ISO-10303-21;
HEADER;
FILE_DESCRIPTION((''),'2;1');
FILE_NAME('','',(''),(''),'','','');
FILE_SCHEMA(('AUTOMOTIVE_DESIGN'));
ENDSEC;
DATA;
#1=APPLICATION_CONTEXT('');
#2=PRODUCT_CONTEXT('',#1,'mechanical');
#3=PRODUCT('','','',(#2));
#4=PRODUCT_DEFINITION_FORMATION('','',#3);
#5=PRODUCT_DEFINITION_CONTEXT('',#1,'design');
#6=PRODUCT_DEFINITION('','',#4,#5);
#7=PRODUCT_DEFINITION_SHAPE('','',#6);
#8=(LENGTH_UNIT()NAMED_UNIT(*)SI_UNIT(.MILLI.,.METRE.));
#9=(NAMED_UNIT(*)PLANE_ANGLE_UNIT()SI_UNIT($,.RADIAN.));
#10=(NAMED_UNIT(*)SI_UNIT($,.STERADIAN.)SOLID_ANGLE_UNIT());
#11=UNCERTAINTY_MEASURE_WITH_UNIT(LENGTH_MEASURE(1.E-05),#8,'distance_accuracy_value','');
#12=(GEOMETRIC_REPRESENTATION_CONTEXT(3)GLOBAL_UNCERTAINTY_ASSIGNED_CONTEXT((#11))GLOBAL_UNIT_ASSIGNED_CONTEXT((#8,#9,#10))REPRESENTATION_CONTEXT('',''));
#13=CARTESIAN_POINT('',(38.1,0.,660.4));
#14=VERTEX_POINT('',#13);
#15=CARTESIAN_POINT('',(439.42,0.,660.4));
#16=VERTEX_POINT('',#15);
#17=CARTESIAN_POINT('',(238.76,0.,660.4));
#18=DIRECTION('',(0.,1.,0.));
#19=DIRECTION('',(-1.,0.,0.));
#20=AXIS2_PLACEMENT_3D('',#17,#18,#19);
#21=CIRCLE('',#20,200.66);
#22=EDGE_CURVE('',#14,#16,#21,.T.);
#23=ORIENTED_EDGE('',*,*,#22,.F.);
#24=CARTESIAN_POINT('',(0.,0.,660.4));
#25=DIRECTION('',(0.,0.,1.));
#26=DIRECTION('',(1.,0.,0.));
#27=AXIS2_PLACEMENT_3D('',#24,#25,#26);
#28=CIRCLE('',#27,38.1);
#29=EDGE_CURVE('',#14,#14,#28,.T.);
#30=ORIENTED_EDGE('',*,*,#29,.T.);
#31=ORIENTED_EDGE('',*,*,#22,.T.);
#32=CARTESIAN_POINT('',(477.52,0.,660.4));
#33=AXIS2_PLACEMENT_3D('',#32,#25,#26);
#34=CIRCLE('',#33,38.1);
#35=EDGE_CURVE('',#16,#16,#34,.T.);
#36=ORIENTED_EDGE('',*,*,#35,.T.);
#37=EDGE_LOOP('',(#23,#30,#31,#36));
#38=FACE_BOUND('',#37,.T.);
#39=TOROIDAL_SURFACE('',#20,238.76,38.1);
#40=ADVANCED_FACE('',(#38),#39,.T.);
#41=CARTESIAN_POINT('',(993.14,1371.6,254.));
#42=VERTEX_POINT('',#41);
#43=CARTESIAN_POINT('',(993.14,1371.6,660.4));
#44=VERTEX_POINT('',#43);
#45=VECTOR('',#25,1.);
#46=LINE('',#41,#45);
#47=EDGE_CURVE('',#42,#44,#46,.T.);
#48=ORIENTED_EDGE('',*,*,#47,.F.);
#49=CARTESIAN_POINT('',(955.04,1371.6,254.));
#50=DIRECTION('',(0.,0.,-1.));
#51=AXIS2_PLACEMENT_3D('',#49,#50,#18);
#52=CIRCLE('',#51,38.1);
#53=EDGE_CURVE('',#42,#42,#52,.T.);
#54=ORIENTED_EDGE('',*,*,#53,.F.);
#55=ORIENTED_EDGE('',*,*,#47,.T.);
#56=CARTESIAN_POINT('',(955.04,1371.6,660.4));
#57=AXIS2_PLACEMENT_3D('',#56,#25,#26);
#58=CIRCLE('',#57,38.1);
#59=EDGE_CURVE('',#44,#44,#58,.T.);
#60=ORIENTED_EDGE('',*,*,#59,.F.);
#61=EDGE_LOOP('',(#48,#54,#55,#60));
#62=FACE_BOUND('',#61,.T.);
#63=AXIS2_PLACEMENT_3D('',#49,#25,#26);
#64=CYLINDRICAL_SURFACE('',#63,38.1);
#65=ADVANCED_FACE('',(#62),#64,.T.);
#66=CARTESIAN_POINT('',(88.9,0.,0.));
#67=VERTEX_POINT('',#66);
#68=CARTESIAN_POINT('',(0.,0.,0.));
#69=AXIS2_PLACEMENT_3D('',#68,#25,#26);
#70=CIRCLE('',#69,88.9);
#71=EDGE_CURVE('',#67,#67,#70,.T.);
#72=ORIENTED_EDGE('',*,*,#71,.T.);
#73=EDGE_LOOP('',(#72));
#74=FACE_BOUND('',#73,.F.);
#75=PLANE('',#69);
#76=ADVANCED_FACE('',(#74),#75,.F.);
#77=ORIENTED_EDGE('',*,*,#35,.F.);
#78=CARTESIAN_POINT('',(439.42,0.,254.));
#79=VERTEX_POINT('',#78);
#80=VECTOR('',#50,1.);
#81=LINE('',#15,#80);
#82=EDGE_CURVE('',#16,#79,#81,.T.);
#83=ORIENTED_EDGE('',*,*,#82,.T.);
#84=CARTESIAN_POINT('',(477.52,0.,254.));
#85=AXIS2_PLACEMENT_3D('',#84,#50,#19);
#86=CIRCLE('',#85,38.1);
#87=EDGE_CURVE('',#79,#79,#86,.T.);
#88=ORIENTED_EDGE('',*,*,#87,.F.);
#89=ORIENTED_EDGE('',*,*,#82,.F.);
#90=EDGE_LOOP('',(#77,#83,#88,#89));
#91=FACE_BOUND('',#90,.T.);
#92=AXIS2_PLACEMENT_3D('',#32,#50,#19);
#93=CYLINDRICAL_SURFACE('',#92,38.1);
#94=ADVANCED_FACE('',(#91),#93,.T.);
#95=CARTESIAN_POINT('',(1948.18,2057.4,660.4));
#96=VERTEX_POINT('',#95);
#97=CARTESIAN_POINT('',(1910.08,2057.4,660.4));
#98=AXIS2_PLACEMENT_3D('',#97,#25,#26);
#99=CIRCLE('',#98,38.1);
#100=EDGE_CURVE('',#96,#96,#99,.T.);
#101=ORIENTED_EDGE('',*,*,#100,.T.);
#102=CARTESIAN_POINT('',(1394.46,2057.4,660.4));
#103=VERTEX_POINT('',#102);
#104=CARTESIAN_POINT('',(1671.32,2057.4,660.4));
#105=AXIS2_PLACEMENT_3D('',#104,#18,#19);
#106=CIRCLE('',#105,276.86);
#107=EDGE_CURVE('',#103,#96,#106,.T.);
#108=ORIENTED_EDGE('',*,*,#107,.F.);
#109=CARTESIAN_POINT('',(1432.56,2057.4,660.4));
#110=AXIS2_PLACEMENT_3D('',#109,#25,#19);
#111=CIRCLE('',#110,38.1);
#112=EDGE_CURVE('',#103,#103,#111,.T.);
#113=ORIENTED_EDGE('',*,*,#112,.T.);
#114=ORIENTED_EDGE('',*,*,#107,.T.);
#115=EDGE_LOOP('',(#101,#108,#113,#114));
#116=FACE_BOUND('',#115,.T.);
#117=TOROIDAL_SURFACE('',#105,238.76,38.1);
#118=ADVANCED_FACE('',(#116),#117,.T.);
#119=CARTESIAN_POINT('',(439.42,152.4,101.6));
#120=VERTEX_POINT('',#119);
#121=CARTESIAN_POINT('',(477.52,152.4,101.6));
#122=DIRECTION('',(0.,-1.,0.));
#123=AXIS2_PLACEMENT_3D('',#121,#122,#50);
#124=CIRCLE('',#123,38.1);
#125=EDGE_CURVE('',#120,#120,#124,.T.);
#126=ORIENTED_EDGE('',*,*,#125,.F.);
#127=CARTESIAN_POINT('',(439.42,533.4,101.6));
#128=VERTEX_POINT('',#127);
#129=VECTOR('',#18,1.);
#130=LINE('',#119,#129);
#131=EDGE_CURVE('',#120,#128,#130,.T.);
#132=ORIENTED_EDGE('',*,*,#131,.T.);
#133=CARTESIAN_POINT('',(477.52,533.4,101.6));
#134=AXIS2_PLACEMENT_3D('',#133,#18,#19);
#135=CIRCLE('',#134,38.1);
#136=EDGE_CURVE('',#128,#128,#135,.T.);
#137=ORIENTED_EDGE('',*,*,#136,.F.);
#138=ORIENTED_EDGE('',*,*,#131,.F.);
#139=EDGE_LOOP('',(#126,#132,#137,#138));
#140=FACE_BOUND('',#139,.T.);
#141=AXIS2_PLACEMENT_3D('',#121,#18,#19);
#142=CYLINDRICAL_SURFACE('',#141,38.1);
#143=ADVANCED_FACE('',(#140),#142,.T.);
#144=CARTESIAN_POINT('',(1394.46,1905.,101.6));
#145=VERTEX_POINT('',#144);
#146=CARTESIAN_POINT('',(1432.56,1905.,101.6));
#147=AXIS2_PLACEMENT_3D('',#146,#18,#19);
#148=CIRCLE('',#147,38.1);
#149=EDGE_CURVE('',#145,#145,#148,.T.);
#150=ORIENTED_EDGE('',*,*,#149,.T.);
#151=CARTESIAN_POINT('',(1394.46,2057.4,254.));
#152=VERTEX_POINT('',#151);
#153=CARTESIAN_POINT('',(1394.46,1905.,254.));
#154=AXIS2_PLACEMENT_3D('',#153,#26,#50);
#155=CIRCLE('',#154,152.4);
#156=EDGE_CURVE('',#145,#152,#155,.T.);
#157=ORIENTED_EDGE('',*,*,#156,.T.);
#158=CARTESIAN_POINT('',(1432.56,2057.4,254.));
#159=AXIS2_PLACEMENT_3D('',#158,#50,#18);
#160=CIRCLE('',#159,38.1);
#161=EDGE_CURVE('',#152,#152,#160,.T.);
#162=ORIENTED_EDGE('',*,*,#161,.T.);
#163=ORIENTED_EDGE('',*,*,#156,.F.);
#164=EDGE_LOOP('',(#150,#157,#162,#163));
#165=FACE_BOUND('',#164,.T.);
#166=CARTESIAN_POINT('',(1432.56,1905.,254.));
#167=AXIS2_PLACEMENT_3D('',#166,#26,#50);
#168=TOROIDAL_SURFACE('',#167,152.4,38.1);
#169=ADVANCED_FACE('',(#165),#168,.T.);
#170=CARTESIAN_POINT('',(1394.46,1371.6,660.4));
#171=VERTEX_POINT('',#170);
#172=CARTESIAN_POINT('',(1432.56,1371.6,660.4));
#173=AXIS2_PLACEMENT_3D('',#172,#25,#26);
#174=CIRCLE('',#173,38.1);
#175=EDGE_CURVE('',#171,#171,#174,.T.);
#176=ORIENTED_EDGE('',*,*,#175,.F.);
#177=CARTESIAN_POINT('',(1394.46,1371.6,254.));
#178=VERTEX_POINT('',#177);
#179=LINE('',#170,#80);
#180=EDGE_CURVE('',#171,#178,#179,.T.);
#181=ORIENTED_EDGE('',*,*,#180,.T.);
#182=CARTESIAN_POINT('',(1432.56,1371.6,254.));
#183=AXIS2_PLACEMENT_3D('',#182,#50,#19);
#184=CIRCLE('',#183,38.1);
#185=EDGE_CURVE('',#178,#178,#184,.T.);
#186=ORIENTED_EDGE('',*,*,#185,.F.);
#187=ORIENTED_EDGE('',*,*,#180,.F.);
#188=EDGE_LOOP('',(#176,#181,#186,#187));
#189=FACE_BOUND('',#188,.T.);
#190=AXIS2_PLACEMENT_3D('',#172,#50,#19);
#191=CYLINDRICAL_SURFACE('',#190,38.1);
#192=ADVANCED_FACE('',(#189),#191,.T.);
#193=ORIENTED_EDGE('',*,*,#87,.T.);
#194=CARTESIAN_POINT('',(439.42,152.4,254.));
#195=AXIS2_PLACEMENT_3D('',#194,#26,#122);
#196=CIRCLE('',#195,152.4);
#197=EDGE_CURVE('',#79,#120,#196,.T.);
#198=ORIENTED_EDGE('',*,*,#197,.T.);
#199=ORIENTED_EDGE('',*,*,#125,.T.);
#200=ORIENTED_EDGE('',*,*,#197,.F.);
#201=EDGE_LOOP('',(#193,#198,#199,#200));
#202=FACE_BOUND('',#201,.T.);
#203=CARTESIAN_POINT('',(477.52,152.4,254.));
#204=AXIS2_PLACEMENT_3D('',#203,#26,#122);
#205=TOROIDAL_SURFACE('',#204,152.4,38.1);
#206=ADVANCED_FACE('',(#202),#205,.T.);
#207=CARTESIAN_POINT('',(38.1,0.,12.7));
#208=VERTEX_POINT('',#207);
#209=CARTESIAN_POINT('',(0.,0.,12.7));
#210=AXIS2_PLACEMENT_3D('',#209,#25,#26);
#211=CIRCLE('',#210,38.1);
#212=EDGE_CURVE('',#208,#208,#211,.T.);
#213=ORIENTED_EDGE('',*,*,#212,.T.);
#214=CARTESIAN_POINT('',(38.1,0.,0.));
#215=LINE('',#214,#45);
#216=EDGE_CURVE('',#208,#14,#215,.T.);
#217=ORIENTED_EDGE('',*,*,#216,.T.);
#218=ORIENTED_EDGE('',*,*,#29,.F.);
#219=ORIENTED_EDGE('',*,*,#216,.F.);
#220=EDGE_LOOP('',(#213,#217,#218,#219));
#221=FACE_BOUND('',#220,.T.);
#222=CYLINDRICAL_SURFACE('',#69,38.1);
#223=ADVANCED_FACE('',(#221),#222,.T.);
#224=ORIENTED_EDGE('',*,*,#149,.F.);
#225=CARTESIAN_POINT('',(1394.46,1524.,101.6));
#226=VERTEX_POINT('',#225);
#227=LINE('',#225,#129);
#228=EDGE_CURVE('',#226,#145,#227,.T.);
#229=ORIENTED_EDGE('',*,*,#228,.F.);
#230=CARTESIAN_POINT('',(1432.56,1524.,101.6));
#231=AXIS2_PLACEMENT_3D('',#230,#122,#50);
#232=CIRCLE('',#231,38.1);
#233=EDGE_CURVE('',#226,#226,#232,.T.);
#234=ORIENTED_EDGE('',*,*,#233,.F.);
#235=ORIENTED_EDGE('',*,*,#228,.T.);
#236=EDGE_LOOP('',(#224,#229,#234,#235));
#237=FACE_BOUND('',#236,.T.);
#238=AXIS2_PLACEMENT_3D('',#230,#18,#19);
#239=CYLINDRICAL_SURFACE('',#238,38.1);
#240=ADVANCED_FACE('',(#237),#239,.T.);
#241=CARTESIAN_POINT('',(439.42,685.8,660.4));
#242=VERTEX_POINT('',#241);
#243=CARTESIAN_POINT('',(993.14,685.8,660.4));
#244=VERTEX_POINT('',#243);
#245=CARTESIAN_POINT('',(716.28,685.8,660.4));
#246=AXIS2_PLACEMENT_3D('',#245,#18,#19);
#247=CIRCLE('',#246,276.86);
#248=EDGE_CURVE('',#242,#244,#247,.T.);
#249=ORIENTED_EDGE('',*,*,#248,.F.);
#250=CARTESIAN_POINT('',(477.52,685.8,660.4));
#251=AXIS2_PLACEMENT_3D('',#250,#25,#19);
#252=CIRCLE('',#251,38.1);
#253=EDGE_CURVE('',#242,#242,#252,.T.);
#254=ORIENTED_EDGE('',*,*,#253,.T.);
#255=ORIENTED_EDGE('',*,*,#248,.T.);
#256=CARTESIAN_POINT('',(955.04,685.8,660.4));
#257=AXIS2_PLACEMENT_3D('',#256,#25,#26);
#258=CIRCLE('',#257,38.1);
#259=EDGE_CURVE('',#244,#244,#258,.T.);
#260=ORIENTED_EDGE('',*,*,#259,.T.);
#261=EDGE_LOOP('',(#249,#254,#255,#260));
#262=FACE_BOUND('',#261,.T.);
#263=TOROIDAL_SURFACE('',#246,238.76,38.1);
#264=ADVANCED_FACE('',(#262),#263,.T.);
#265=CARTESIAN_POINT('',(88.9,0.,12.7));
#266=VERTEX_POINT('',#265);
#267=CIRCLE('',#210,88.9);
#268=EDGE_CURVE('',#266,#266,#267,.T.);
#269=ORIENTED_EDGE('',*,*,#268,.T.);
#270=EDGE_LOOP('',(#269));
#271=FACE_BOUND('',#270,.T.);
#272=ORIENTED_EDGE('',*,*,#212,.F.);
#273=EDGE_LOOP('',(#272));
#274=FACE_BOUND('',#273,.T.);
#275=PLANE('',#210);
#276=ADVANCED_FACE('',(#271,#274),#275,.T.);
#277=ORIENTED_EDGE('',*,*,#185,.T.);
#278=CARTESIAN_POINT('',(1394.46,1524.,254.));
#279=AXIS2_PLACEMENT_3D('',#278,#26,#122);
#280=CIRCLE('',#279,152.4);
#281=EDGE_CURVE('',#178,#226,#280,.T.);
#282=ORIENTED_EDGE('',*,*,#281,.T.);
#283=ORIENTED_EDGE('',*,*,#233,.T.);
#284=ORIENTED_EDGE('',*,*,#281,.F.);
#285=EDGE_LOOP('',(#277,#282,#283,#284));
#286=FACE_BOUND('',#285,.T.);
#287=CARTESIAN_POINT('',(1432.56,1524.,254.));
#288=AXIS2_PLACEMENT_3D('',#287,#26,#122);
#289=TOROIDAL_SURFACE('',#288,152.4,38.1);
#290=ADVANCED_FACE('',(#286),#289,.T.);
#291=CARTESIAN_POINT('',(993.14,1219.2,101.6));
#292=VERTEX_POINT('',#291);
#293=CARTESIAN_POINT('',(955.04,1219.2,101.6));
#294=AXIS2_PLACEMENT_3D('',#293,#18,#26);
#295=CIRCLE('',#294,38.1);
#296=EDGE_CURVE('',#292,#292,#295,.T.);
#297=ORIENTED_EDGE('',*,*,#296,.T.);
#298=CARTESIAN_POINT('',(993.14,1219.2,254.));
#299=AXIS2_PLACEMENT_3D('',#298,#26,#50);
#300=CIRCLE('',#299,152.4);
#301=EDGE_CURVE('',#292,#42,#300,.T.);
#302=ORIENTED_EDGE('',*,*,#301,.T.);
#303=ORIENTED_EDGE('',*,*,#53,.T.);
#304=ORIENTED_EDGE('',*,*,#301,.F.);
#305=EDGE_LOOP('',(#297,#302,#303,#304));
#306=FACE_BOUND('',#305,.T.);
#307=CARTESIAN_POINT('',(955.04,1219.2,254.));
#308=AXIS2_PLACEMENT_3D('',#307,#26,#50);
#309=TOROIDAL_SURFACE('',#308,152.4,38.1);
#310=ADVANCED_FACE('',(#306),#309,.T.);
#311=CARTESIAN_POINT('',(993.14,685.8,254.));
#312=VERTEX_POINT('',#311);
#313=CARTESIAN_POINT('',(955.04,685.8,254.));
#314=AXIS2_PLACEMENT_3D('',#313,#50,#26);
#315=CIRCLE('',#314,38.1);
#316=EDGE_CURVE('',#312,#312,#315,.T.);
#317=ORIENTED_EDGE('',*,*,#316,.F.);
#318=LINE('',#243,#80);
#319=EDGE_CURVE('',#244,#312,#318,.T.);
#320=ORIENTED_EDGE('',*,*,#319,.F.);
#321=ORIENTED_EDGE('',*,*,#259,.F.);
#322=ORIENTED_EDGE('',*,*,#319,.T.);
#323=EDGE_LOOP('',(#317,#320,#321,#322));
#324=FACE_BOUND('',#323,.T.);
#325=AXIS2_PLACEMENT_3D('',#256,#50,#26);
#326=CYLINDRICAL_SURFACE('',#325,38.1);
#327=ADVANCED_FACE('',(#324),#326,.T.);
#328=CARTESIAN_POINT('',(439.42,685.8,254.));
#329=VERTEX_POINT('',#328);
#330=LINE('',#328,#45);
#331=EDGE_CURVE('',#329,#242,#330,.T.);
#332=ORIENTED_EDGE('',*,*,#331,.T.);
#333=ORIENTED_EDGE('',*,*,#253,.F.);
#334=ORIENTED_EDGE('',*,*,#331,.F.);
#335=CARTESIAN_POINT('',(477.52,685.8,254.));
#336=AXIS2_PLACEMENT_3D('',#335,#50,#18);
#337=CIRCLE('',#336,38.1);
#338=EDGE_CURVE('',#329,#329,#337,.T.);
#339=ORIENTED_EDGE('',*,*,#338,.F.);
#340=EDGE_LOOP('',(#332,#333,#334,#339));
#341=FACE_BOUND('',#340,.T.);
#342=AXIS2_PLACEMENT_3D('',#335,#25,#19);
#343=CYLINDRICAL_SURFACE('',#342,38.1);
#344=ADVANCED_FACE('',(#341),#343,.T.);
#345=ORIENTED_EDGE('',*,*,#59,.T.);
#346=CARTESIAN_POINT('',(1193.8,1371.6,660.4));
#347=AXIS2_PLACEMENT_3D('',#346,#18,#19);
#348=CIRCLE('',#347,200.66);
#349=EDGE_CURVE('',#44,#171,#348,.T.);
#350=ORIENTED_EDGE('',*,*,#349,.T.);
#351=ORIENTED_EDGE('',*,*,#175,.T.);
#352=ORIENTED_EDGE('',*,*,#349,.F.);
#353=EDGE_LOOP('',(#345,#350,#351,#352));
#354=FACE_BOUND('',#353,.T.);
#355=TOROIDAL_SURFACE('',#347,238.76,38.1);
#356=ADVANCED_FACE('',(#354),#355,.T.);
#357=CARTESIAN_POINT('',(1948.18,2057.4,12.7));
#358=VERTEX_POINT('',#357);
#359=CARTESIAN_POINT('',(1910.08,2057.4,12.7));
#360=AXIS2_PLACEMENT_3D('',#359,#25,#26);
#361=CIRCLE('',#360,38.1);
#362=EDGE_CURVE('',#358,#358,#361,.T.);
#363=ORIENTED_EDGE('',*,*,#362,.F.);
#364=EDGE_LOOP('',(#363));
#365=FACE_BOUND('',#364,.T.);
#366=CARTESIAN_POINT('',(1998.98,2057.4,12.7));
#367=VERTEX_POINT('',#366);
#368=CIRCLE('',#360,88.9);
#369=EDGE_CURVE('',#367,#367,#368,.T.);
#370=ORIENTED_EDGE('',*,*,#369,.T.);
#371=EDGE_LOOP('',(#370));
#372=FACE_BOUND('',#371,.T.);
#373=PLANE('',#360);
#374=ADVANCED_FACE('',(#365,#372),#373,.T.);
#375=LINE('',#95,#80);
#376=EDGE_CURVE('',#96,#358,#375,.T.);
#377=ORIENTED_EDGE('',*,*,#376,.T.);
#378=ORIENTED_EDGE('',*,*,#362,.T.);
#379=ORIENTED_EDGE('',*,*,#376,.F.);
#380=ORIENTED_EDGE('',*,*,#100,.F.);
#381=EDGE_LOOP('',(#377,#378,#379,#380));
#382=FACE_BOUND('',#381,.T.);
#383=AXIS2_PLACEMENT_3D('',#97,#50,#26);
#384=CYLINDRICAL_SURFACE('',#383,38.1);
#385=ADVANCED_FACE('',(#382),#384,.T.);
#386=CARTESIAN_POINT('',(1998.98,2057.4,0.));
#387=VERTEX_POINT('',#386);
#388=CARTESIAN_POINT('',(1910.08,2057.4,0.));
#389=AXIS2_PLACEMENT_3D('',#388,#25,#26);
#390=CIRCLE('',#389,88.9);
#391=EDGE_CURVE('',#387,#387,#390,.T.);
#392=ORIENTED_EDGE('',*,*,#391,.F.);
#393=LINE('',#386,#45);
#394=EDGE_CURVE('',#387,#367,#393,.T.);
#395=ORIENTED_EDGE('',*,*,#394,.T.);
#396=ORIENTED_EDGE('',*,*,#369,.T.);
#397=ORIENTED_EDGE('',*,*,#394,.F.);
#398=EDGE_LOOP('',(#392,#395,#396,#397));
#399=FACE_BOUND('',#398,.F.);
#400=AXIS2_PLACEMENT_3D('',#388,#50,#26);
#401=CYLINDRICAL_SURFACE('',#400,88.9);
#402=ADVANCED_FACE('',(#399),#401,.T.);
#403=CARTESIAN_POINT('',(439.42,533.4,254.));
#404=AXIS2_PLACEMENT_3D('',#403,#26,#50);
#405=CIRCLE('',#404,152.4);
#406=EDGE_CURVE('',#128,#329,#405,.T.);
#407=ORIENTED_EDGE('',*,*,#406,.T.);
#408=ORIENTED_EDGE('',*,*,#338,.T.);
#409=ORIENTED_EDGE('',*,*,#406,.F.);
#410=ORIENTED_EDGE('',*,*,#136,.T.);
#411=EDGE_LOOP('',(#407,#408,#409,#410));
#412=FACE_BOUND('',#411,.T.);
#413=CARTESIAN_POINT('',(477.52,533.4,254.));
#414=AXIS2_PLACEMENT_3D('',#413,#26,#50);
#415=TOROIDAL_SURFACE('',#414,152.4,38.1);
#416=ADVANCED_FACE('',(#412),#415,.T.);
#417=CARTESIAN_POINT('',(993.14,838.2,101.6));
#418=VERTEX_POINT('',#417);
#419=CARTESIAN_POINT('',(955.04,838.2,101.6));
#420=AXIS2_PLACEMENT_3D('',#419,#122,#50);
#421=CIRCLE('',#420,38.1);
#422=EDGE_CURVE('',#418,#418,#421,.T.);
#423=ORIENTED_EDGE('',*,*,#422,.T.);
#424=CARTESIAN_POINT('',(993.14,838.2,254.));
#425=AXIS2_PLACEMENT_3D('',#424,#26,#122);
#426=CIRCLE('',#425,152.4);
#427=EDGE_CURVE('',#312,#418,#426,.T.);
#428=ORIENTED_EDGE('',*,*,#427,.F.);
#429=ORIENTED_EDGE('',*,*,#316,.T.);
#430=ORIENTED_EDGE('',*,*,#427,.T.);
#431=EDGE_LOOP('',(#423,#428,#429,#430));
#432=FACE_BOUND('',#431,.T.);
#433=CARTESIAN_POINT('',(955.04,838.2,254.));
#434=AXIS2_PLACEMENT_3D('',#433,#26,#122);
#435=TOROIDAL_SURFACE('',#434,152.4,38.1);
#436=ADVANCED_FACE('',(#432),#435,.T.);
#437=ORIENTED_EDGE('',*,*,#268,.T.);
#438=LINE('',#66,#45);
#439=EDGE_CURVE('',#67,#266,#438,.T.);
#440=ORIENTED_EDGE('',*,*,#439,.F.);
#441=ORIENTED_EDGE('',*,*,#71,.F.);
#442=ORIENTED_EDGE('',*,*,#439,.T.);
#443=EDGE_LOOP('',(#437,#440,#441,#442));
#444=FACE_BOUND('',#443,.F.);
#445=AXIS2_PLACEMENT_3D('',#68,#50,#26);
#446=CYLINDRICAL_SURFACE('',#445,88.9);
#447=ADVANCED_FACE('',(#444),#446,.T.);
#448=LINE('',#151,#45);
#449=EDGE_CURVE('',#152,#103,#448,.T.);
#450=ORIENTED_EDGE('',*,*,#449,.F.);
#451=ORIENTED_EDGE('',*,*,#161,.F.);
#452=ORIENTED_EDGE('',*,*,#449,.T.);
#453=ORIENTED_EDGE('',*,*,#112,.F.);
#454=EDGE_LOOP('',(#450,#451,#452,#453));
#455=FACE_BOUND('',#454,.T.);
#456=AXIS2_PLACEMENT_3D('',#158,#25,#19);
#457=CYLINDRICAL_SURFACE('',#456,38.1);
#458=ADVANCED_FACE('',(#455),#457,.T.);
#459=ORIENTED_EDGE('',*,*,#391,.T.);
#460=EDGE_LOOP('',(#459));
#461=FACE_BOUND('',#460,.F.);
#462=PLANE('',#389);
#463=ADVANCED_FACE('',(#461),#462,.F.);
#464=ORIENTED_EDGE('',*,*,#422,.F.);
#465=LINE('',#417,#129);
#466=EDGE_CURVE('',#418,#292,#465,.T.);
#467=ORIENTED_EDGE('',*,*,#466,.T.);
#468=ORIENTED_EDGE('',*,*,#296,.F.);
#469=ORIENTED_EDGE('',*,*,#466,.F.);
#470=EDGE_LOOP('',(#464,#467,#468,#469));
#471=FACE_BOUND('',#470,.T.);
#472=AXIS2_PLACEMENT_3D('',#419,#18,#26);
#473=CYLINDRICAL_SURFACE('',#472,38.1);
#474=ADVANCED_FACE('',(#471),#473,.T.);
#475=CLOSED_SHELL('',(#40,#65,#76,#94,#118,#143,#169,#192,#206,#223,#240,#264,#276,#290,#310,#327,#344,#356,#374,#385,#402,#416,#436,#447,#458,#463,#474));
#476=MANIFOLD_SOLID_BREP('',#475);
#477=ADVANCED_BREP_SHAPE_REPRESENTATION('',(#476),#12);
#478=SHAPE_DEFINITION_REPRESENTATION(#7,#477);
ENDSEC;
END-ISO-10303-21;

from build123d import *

# Parameters (mm, degrees)
F0_R      = 38.1
F0_R_2    = 88.9
F16_DEPTH = 12.7
F14_R     = 88.9
F14_R_2   = 38.1
F17_DEPTH = 12.7


with BuildPart() as f15:
    # F15: sweep along a path in F1, F3, F5, F7, F9, F11, F13
    with BuildLine(Plane.XZ) as f15_path:
        Line((0, 0), (0, 660.4))
        ThreePointArc((0, 660.4), (238.76, 899.16), (477.52, 660.4))
        Line((477.52, 660.4), (477.52, 254))
    with BuildLine(Plane(origin=(477.52, 0, 0), x_dir=(0, -1, 0), z_dir=(-1, 0, 0))) as f15_path_2:
        ThreePointArc((0, 254), (-44.6369265472, 146.2369265472), (-152.4, 101.6))
        Line((-152.4, 101.6), (-533.4, 101.6))
        ThreePointArc((-533.4, 101.6), (-641.1630734528, 146.2369265472), (-685.8, 254))
        Line((-685.8, 254), (-685.8, 660.4))
    with BuildLine(Plane(origin=(0, 685.8, 0), x_dir=(-1, 0, 0), z_dir=(0, 1, 0))) as f15_path_3:
        ThreePointArc((-477.52, 660.4), (-716.28, 899.16), (-955.04, 660.4))
        Line((-955.04, 660.4), (-955.04, 254))
    with BuildLine(Plane(origin=(955.04, 0, 0), x_dir=(0, -1, 0), z_dir=(-1, 0, 0))) as f15_path_4:
        ThreePointArc((-685.8, 254), (-730.4369265472, 146.2369265472), (-838.2, 101.6))
        Line((-838.2, 101.6), (-1219.2, 101.6))
        ThreePointArc((-1219.2, 101.6), (-1326.9630734528, 146.2369265472), (-1371.6, 254))
        Line((-1371.6, 254), (-1371.6, 660.4))
    with BuildLine(Plane(origin=(0, 1371.6, 0), x_dir=(-1, 0, 0), z_dir=(0, 1, 0))) as f15_path_5:
        ThreePointArc((-955.04, 660.4), (-1193.8, 899.16), (-1432.56, 660.4))
        Line((-1432.56, 660.4), (-1432.56, 254))
    with BuildLine(Plane(origin=(1432.56, 0, 0), x_dir=(0, -1, 0), z_dir=(-1, 0, 0))) as f15_path_6:
        ThreePointArc((-1371.6, 254), (-1416.2369265472, 146.2369265472), (-1524, 101.6))
        Line((-1524, 101.6), (-1905, 101.6))
        ThreePointArc((-1905, 101.6), (-2012.7630734528, 146.2369265472), (-2057.4, 254))
        Line((-2057.4, 254), (-2057.4, 660.4))
    with BuildLine(Plane(origin=(0, 2057.4, 0), x_dir=(-1, 0, 0), z_dir=(0, 1, 0))) as f15_path_7:
        ThreePointArc((-1432.56, 660.4), (-1671.32, 899.16), (-1910.08, 660.4))
        Line((-1910.08, 660.4), (-1910.08, 0))
    # F0 (on Top) → F15 (sweep)
    with BuildSketch(Plane.XY):
        Circle(F0_R)
    sweep(path=f15_path.line + f15_path_2.line + f15_path_3.line + f15_path_4.line + f15_path_5.line + f15_path_6.line + f15_path_7.line)

    # F0 (on Top) → F16 (join)
    with BuildSketch(Plane.XY):
        Circle(F0_R_2)
        Circle(F0_R, mode=Mode.SUBTRACT)
    extrude(amount=F16_DEPTH)

    # F14 (on Top) → F17 (join)
    with BuildSketch(Plane.XY):
        with Locations((1910.08, 2057.4)):
            Circle(F14_R)
        with Locations((1910.08, 2057.4)):
            Circle(F14_R_2, mode=Mode.SUBTRACT)
    extrude(amount=F17_DEPTH)


solid = f15.part
